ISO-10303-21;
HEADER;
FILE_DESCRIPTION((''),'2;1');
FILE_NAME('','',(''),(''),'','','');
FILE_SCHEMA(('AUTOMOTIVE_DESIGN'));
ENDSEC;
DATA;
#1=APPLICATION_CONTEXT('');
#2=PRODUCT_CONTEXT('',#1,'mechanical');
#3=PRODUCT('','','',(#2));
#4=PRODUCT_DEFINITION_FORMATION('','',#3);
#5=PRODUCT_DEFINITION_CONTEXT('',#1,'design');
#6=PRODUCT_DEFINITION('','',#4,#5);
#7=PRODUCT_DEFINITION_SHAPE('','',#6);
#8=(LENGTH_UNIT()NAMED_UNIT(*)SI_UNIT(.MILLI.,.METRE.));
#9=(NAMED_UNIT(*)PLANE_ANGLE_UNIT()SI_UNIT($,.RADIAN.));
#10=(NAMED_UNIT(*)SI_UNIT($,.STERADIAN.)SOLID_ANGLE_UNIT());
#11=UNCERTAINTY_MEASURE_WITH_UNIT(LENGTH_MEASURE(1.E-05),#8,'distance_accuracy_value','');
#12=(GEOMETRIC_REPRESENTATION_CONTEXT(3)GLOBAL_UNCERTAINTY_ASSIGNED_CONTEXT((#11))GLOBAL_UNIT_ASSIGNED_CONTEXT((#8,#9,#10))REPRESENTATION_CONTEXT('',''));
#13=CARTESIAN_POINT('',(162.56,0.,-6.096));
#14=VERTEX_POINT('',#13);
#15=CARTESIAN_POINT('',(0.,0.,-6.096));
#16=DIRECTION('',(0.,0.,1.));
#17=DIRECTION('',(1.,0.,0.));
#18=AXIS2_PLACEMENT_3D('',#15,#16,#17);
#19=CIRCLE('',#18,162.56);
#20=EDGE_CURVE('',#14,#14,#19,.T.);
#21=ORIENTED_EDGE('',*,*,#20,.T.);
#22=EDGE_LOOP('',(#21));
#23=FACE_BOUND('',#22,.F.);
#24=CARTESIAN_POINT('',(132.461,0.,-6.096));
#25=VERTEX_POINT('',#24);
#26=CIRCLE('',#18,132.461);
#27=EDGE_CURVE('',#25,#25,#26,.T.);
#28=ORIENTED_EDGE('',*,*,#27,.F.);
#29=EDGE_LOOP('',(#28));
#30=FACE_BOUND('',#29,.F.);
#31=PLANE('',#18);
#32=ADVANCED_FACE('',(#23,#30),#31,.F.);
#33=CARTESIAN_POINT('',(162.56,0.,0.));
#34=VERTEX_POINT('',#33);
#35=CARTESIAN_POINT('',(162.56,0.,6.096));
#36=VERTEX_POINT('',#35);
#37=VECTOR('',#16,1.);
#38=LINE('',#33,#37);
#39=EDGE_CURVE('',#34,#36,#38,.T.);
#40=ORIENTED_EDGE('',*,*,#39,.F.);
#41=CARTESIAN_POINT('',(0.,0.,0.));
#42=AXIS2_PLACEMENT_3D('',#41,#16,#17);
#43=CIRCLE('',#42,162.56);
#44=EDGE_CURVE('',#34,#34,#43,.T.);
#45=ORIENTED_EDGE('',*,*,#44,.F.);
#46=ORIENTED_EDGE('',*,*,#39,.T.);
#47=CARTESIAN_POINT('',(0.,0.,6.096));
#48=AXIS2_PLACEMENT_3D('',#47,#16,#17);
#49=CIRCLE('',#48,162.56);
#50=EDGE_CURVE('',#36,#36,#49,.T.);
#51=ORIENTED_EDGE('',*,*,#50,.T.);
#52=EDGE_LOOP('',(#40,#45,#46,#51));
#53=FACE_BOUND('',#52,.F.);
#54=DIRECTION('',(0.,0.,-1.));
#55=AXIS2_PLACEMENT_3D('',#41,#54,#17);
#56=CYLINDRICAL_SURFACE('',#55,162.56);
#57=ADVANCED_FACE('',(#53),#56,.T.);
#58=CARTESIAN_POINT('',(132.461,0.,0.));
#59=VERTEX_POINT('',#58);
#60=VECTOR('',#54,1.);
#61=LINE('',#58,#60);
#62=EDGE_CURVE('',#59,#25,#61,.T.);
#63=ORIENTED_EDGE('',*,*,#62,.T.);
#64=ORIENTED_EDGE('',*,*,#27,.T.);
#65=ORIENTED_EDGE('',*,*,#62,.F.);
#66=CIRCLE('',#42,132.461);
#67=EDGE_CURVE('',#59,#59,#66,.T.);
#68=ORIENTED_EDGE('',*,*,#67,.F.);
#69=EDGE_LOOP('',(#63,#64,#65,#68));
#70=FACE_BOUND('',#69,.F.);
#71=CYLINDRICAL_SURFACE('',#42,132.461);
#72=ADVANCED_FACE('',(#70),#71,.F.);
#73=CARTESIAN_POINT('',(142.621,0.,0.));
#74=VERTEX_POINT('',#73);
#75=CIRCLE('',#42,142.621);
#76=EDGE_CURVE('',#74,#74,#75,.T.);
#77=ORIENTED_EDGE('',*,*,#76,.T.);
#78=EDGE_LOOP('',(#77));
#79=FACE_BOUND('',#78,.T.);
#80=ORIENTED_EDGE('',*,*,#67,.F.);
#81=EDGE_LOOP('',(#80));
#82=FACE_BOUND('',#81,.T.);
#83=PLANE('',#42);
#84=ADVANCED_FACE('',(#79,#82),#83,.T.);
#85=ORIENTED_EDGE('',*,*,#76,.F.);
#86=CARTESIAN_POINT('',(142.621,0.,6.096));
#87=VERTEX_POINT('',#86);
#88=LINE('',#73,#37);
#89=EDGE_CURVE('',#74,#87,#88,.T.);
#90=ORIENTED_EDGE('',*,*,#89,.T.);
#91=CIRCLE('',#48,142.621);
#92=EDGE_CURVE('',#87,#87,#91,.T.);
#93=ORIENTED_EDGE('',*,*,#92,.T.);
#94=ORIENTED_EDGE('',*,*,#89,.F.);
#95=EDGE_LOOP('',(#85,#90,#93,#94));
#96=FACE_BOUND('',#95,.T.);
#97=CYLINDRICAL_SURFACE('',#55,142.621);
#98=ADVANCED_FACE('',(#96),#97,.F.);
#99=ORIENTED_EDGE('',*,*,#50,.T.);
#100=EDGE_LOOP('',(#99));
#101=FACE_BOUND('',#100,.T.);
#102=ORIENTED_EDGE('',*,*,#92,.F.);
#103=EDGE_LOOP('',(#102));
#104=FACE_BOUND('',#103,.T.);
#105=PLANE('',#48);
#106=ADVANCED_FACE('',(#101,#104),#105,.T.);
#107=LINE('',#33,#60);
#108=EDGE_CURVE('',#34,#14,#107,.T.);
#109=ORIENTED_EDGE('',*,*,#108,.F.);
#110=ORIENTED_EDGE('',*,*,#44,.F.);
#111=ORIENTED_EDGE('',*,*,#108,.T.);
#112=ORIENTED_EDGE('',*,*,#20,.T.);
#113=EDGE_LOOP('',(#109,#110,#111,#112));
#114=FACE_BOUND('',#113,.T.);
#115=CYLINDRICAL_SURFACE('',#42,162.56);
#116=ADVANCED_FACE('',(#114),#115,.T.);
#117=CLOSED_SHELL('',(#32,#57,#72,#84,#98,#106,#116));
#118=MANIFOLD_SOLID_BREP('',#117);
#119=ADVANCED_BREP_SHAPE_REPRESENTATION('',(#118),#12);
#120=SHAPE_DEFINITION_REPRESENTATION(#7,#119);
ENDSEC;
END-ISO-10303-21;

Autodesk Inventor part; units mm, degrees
ref_plane "YZ Plane" through (0, 0, 0) normal (1, 0, 0) x (0, 1, 0)
ref_plane "XZ Plane" through (0, 0, 0) normal (0, 1, 0) x (-1, 0, 0)
ref_plane "XY Plane" through (0, 0, 0) normal (0, 0, 1) x (1, 0, 0)
sketch "Sketch1" plane through (0, 0, 0) normal (0, 0, 1) x (1, 0, 0)
  circle A0 centre (0, 0) radius 142.621
  circle A1 centre (0, 0) radius 162.56
  circle A2 centre (0, 0) radius 132.461
  dimension "d0" = 285.242
  dimension "d1" = 325.12
  dimension "d2" = 264.922
extrude "Extrusion1" add sketch "Sketch1" against normal blind 6.096 contours A0 | A1
extrude "Extrusion2" add sketch "Sketch1" along normal blind 6.096 contours A1
properties part number "outer piece"
